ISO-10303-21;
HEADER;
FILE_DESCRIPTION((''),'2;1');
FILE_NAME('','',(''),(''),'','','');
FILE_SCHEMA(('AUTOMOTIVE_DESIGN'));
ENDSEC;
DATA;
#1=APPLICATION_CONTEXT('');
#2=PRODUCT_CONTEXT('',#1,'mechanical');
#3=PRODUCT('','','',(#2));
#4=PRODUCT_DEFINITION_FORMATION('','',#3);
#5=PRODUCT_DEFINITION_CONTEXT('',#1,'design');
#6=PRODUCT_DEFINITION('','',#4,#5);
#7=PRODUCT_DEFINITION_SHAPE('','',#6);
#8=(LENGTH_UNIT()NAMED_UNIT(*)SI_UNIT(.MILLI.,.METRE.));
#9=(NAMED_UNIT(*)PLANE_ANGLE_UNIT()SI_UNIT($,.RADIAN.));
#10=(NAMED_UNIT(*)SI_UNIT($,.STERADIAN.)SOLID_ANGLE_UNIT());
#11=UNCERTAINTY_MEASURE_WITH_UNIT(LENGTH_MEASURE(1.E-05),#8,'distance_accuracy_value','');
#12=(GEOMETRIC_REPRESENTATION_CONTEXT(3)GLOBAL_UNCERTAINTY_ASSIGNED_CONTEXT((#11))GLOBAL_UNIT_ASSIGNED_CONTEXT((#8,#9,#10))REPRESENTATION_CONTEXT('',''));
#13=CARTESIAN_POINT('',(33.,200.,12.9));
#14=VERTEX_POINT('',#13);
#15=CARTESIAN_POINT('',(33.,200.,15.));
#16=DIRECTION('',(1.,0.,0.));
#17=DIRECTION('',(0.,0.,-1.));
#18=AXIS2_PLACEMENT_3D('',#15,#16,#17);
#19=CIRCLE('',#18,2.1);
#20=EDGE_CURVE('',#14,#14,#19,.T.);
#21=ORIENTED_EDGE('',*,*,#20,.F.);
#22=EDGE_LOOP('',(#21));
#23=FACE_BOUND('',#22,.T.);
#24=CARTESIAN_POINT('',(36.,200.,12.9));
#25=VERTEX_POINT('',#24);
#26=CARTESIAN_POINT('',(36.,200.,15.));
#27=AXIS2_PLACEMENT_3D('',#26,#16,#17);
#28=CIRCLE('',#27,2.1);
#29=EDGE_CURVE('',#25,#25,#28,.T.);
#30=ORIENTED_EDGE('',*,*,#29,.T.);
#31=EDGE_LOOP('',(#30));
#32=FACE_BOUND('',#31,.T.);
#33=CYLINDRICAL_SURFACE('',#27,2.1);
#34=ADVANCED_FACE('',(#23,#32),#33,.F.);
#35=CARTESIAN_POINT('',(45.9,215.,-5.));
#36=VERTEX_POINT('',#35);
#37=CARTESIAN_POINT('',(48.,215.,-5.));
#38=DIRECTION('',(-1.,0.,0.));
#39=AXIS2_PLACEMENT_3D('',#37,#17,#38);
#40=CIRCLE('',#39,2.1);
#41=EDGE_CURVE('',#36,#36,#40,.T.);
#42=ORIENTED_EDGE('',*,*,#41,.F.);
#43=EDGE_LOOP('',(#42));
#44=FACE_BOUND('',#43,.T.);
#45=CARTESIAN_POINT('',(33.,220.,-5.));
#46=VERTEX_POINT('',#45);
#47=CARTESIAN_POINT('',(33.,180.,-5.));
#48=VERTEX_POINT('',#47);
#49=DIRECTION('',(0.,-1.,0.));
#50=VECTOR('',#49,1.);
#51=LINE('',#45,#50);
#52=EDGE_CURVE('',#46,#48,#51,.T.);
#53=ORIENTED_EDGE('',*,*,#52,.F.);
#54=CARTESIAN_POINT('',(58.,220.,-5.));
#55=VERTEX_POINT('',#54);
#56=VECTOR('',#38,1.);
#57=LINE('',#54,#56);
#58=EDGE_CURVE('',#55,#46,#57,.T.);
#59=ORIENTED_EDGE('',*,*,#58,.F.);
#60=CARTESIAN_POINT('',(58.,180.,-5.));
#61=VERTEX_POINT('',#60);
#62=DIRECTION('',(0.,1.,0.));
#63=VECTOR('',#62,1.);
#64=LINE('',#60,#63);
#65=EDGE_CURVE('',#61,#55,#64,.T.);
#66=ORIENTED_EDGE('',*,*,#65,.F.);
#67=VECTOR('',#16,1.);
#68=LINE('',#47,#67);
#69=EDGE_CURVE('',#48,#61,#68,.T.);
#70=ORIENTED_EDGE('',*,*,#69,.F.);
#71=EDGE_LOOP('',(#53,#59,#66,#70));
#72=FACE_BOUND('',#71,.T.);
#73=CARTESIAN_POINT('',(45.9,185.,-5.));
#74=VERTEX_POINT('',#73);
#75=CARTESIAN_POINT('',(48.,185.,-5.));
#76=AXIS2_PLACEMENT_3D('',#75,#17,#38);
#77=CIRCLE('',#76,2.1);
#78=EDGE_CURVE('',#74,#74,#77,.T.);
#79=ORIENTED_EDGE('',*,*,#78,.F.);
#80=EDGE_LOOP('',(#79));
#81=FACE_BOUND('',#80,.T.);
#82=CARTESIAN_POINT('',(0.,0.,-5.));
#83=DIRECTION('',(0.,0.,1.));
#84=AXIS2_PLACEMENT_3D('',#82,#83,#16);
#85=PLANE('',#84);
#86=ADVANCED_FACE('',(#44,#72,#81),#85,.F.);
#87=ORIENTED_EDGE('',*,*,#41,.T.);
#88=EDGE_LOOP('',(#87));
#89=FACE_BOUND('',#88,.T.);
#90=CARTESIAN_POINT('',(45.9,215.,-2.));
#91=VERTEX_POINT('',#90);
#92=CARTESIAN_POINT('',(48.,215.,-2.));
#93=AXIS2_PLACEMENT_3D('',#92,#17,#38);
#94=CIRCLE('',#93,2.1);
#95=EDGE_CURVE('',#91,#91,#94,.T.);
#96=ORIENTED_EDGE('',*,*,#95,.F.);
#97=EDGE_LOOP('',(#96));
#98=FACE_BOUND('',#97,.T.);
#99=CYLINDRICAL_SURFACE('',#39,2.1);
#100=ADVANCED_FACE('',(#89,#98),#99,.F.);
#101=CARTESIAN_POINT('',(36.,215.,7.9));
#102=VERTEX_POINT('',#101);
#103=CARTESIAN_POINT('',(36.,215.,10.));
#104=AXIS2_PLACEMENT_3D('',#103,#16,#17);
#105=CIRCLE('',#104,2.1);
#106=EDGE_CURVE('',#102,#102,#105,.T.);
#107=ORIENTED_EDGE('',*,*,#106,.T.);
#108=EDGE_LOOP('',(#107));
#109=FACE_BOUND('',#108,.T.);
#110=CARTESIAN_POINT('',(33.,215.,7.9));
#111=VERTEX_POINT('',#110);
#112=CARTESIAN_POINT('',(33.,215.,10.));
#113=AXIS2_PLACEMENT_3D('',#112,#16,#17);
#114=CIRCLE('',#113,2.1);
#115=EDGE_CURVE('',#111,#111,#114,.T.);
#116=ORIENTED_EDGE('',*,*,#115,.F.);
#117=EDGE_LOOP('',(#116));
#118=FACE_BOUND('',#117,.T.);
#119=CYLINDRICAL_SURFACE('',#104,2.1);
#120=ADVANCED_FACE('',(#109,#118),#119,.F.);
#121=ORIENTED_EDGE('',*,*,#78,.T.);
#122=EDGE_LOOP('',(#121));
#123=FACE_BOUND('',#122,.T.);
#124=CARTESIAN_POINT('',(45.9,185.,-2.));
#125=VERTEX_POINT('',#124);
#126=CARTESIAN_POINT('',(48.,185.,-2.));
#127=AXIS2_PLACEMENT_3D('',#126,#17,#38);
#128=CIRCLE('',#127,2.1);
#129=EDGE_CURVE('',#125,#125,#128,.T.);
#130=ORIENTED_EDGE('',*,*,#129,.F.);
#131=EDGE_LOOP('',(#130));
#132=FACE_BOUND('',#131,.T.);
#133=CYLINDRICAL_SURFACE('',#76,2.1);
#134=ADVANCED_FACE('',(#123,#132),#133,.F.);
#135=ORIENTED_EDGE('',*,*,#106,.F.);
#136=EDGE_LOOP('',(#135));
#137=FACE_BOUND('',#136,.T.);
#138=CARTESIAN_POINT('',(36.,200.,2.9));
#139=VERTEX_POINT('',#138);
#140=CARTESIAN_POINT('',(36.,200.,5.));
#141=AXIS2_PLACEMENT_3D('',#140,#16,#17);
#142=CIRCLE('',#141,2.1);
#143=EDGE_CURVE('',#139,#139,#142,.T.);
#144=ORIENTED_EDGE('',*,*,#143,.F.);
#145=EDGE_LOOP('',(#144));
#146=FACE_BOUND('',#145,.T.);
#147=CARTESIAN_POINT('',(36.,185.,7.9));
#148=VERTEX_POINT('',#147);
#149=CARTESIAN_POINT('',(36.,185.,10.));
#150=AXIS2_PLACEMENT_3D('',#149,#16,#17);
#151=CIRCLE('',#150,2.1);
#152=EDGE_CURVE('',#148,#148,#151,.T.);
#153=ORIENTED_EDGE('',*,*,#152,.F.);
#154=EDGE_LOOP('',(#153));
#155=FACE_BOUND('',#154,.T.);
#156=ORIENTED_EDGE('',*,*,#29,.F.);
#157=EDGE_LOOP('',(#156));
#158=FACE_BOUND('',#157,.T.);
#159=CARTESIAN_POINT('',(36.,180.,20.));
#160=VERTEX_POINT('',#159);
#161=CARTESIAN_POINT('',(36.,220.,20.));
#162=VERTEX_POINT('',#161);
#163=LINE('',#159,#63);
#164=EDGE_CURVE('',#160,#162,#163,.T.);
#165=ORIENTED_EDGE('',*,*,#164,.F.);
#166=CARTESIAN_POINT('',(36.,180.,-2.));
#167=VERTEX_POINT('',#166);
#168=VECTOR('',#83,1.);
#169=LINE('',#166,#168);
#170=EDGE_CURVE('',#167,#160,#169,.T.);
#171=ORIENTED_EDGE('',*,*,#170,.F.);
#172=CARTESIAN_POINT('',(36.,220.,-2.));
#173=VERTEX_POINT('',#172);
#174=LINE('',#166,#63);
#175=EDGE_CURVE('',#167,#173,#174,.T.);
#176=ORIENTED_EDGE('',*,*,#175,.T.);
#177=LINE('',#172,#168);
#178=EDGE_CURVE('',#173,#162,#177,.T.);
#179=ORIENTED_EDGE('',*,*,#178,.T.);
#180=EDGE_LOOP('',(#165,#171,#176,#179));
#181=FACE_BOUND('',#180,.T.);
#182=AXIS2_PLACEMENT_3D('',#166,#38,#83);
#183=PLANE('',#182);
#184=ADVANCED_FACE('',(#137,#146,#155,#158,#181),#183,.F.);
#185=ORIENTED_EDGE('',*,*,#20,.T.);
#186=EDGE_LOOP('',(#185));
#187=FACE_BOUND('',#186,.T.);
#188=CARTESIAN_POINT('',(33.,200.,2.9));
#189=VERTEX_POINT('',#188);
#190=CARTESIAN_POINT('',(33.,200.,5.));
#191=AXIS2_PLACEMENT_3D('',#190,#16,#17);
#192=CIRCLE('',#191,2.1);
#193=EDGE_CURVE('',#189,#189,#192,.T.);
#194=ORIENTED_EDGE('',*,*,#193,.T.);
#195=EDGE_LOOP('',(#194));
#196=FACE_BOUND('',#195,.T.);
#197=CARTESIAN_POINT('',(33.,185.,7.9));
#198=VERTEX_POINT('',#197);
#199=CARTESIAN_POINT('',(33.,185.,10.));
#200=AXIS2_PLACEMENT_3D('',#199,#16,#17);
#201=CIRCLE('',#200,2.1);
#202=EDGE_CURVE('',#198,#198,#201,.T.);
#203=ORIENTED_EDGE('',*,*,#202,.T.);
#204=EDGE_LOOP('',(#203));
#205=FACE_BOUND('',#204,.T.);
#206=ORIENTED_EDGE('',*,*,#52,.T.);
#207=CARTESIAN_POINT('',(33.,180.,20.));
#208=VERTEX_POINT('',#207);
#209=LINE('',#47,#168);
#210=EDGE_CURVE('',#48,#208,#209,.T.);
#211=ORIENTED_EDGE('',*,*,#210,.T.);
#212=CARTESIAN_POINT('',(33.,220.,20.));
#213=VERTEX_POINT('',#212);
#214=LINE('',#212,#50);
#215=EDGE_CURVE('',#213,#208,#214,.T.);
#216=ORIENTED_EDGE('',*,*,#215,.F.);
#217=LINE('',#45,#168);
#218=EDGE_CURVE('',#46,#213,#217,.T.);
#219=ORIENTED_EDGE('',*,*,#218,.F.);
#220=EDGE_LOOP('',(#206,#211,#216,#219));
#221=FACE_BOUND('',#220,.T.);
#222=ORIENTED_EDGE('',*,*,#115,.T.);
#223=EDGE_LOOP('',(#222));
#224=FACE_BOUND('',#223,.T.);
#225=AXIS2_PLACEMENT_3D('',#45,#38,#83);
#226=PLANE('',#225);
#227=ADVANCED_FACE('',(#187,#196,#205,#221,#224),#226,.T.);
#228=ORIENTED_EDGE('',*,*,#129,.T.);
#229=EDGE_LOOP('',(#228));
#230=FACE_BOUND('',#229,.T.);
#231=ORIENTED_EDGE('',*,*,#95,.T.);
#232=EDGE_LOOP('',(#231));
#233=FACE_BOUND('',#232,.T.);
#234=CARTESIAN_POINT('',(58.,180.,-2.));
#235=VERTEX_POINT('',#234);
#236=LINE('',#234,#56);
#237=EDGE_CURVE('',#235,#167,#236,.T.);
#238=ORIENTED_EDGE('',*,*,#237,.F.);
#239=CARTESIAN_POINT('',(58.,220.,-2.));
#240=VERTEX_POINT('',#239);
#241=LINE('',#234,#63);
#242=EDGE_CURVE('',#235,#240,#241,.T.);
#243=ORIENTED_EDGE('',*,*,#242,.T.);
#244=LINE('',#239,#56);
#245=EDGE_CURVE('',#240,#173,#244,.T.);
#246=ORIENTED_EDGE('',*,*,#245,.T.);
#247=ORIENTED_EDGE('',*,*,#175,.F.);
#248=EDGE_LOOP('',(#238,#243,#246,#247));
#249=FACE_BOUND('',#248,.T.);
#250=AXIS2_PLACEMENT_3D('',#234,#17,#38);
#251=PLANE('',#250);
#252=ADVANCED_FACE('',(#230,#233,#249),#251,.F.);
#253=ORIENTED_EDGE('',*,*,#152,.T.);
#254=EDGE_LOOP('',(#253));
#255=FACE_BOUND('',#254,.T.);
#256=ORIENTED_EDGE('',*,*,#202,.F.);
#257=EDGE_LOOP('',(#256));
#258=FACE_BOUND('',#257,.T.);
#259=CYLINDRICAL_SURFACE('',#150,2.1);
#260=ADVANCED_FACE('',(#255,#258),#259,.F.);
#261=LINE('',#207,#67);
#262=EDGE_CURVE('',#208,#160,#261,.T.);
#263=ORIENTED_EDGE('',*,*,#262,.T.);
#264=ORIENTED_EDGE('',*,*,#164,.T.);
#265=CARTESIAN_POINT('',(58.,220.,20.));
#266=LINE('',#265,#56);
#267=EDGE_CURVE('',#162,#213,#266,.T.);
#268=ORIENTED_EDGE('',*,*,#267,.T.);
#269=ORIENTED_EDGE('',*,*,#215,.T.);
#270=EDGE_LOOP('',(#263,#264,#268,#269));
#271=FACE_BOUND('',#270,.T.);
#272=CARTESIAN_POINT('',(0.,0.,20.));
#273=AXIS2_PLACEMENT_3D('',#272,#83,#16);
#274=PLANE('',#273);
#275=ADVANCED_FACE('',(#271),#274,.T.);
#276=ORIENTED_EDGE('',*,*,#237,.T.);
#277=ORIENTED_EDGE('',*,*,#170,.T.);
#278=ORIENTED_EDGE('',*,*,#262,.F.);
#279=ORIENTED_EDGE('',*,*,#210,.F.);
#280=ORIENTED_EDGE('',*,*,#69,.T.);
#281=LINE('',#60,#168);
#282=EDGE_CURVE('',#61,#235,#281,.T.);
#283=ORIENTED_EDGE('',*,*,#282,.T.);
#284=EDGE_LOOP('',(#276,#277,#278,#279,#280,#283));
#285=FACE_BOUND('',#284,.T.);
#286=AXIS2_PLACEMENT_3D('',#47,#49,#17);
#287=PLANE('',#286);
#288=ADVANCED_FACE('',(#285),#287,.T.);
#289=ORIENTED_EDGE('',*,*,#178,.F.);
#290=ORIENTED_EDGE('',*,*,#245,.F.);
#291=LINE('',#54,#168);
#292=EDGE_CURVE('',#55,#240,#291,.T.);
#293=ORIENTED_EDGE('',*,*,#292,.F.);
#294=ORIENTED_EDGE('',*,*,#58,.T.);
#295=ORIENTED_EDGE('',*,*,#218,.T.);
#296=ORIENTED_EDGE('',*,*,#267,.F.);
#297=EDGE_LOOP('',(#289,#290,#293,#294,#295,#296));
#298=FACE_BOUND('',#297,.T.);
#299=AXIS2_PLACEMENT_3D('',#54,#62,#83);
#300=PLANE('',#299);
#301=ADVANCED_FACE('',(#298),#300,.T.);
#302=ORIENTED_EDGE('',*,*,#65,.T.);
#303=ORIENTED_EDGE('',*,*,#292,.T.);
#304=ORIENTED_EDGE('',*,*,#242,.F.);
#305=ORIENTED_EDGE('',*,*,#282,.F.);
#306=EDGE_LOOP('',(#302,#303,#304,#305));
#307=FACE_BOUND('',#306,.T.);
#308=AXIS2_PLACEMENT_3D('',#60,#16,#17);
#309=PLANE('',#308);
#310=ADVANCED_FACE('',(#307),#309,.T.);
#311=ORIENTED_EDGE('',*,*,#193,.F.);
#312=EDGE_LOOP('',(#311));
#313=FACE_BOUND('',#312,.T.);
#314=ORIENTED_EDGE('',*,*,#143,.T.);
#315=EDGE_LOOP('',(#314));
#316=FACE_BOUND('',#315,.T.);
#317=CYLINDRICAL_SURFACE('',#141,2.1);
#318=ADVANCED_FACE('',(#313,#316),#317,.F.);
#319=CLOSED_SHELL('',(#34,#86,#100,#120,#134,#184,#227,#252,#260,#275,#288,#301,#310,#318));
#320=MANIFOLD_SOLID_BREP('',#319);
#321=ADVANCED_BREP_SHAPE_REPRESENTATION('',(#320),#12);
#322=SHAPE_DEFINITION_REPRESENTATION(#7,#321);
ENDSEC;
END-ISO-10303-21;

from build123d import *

# Parameters (mm, degrees)
SKETCH_1_W                  = 25
SKETCH_1_H                  = 40
EXTRUDE_1_DEPTH             = 25
SKETCH_2_W                  = 22
SKETCH_2_H                  = 22
CUT_EXTRUDE_1_DEPTH         = 74.239333694
HOLE_WIZARD_4_2_4_2_1_D     = 4.2
HOLE_WIZARD_4_2_4_2_1_DEPTH = 25
HOLE_WIZARD_4_2_4_2_2_D     = 4.2


with BuildPart() as part:
    # 草图1 → 凸台-拉伸1 (new body)
    with BuildSketch(Plane.XY.offset(20)):
        with Locations((45.5, 200)):
            Rectangle(SKETCH_1_W, SKETCH_1_H)
    extrude(amount=-EXTRUDE_1_DEPTH)

    # 草图2 → 切除-拉伸1 (cut, through all)
    with BuildSketch(Plane(origin=(0, 220, 0), x_dir=(-1, 0, 0), z_dir=(0, 1, 0))):
        with Locations((-47, 9)):
            Rectangle(SKETCH_2_W, SKETCH_2_H)
    extrude(amount=-CUT_EXTRUDE_1_DEPTH, mode=Mode.SUBTRACT)

    # Ø4.2 (4.2) 直径孔1
    with Locations(Plane(origin=(0, 0, -5), x_dir=(-1, 0, 0), z_dir=(0, 0, -1))):
        with Locations((-48, 185), (-48, 215)):
            Hole(HOLE_WIZARD_4_2_4_2_1_D / 2, depth=HOLE_WIZARD_4_2_4_2_1_DEPTH)

    # Ø4.2 (4.2) 直径孔2 (through all)
    with Locations(Plane(origin=(36, 0, 0), x_dir=(0, 0, -1), z_dir=(1, 0, 0))):
        with Locations((-10, 185), (-10, 215), (-5, 200), (-15, 200)):
            Hole(HOLE_WIZARD_4_2_4_2_2_D / 2)


solid = part.part
